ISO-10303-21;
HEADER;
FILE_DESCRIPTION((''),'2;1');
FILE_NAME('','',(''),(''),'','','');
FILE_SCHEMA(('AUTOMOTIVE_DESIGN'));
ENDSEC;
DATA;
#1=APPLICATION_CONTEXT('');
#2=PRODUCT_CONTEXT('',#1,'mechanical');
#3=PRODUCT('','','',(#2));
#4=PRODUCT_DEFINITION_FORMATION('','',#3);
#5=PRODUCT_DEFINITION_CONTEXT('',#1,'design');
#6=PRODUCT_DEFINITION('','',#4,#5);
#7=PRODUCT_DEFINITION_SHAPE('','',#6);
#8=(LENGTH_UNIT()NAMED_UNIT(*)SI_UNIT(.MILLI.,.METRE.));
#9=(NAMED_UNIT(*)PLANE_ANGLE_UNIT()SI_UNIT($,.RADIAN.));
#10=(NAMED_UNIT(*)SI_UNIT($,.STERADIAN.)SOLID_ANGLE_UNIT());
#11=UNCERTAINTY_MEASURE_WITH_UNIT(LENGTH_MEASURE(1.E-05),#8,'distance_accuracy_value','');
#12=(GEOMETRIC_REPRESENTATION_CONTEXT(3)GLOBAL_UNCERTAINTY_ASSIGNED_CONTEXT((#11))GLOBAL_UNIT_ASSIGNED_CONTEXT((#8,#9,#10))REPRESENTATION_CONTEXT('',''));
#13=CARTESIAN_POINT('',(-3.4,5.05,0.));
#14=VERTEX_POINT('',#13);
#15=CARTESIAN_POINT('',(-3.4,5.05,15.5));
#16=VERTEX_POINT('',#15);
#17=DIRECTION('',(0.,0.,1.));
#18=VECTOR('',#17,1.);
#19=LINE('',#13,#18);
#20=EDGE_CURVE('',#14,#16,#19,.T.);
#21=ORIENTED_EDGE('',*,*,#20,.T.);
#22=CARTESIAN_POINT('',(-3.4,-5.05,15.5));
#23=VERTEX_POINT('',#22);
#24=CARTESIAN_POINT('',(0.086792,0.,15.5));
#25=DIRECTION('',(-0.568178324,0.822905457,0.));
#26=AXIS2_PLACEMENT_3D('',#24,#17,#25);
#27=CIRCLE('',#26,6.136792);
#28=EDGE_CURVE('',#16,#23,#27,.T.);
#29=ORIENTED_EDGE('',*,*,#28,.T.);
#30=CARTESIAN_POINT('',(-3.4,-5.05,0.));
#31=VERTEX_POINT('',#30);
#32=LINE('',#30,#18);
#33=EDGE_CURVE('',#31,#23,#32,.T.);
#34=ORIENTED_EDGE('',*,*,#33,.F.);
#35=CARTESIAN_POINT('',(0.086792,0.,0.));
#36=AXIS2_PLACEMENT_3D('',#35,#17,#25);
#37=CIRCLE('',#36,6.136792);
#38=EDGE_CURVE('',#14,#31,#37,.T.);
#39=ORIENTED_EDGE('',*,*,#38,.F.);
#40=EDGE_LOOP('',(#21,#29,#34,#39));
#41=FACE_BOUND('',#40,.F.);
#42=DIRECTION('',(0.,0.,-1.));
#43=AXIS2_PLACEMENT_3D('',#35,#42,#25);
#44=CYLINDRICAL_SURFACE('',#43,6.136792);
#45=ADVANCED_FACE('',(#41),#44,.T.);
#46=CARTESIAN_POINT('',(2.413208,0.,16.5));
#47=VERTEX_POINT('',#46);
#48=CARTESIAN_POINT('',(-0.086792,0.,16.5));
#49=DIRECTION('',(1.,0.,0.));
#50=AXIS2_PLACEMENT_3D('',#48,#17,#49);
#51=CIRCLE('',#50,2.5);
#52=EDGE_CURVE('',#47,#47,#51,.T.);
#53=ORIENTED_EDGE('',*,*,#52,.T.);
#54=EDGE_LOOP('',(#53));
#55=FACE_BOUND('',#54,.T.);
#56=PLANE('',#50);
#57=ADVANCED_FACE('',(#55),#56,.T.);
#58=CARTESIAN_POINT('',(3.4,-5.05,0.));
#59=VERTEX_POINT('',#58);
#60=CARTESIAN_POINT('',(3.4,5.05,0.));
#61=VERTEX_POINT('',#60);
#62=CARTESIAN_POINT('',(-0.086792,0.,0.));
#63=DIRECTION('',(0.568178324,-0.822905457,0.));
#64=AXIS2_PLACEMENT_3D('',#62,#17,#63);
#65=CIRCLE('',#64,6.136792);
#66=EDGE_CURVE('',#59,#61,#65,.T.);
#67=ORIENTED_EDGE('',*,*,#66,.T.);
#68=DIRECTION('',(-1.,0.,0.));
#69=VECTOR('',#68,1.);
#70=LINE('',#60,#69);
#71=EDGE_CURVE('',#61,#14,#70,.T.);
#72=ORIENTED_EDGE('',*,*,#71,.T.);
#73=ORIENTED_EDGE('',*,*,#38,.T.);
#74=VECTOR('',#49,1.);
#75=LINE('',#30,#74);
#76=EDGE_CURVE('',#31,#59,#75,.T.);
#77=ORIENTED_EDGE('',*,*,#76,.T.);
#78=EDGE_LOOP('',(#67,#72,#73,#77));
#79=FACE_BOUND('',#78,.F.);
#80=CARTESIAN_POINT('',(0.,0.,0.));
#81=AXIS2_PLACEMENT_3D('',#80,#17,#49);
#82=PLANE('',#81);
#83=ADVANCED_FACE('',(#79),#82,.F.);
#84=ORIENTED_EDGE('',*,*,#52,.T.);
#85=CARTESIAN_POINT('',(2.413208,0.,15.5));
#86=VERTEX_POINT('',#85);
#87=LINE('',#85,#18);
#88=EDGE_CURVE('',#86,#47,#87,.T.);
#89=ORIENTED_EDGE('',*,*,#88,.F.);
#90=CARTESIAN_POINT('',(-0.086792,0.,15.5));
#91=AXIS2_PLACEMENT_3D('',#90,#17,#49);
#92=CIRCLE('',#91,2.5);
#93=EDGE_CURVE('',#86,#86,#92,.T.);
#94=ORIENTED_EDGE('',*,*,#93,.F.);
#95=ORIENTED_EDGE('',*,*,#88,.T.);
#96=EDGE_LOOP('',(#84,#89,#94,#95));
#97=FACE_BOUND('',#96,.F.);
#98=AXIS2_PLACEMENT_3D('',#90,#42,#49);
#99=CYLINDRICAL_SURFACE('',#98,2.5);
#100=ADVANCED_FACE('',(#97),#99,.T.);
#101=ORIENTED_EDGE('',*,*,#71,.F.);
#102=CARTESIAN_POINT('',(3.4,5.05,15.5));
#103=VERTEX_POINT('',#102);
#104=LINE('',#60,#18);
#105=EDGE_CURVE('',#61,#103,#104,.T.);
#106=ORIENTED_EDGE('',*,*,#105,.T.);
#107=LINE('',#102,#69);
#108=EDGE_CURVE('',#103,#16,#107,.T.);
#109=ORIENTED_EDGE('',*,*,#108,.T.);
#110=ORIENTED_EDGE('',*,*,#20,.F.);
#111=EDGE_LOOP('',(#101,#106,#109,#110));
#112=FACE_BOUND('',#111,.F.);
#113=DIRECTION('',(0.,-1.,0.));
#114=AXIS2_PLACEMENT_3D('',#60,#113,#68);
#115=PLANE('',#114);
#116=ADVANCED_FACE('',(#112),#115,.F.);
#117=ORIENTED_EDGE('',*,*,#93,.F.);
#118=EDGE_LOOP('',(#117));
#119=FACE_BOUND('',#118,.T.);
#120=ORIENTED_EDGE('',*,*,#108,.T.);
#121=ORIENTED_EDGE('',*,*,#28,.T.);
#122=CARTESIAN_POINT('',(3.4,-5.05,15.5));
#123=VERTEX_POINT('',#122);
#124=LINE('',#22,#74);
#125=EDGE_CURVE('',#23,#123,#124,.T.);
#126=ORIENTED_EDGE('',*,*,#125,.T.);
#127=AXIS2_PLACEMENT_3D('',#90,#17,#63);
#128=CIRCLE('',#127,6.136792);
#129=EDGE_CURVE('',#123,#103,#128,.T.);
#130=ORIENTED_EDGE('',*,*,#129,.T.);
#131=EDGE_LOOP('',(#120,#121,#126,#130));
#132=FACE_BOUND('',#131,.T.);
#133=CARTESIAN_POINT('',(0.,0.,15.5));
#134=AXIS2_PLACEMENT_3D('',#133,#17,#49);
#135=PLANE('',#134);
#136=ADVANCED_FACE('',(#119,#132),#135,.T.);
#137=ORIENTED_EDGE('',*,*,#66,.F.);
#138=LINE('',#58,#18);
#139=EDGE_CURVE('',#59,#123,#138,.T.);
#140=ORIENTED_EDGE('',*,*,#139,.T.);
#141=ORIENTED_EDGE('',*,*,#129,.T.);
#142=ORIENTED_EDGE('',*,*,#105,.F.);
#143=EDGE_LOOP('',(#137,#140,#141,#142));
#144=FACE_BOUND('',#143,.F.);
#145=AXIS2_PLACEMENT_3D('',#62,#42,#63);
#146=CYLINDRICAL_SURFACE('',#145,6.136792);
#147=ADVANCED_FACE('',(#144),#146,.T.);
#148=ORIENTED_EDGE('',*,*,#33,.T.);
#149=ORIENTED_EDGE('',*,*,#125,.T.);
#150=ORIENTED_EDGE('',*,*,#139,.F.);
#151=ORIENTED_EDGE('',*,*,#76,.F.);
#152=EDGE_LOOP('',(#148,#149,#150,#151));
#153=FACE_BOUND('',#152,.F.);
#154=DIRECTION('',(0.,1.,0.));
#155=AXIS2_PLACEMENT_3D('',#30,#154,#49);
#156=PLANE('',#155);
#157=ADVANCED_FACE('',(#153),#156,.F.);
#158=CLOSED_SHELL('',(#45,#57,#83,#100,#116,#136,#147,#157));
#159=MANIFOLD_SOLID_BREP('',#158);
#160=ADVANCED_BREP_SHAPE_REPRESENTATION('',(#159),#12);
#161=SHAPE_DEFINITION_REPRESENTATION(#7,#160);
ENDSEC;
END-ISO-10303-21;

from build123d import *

# Parameters (mm, degrees)
F1_DEPTH = 15.5
F2_R     = 2.5
F3_DEPTH = 1


with BuildPart() as f1:
    # F0 (on Top) → F1 (new body)
    with BuildSketch(Plane.XY):
        with BuildLine():
            ThreePointArc((3.4, -5.05), (6.05, 0), (3.4, 5.05))
            Line((3.4, 5.05), (-3.4, 5.05))
            ThreePointArc((-3.4, 5.05), (-6.05, 0), (-3.4, -5.05))
            Line((-3.4, -5.05), (3.4, -5.05))
        make_face()
    extrude(amount=F1_DEPTH)

    # F2 (on face) → F3 (join)
    with BuildSketch(Plane.XY.offset(15.5)):
        with Locations((-0.086792, 0)):
            Circle(F2_R)
    extrude(amount=F3_DEPTH)


solid = f1.part
